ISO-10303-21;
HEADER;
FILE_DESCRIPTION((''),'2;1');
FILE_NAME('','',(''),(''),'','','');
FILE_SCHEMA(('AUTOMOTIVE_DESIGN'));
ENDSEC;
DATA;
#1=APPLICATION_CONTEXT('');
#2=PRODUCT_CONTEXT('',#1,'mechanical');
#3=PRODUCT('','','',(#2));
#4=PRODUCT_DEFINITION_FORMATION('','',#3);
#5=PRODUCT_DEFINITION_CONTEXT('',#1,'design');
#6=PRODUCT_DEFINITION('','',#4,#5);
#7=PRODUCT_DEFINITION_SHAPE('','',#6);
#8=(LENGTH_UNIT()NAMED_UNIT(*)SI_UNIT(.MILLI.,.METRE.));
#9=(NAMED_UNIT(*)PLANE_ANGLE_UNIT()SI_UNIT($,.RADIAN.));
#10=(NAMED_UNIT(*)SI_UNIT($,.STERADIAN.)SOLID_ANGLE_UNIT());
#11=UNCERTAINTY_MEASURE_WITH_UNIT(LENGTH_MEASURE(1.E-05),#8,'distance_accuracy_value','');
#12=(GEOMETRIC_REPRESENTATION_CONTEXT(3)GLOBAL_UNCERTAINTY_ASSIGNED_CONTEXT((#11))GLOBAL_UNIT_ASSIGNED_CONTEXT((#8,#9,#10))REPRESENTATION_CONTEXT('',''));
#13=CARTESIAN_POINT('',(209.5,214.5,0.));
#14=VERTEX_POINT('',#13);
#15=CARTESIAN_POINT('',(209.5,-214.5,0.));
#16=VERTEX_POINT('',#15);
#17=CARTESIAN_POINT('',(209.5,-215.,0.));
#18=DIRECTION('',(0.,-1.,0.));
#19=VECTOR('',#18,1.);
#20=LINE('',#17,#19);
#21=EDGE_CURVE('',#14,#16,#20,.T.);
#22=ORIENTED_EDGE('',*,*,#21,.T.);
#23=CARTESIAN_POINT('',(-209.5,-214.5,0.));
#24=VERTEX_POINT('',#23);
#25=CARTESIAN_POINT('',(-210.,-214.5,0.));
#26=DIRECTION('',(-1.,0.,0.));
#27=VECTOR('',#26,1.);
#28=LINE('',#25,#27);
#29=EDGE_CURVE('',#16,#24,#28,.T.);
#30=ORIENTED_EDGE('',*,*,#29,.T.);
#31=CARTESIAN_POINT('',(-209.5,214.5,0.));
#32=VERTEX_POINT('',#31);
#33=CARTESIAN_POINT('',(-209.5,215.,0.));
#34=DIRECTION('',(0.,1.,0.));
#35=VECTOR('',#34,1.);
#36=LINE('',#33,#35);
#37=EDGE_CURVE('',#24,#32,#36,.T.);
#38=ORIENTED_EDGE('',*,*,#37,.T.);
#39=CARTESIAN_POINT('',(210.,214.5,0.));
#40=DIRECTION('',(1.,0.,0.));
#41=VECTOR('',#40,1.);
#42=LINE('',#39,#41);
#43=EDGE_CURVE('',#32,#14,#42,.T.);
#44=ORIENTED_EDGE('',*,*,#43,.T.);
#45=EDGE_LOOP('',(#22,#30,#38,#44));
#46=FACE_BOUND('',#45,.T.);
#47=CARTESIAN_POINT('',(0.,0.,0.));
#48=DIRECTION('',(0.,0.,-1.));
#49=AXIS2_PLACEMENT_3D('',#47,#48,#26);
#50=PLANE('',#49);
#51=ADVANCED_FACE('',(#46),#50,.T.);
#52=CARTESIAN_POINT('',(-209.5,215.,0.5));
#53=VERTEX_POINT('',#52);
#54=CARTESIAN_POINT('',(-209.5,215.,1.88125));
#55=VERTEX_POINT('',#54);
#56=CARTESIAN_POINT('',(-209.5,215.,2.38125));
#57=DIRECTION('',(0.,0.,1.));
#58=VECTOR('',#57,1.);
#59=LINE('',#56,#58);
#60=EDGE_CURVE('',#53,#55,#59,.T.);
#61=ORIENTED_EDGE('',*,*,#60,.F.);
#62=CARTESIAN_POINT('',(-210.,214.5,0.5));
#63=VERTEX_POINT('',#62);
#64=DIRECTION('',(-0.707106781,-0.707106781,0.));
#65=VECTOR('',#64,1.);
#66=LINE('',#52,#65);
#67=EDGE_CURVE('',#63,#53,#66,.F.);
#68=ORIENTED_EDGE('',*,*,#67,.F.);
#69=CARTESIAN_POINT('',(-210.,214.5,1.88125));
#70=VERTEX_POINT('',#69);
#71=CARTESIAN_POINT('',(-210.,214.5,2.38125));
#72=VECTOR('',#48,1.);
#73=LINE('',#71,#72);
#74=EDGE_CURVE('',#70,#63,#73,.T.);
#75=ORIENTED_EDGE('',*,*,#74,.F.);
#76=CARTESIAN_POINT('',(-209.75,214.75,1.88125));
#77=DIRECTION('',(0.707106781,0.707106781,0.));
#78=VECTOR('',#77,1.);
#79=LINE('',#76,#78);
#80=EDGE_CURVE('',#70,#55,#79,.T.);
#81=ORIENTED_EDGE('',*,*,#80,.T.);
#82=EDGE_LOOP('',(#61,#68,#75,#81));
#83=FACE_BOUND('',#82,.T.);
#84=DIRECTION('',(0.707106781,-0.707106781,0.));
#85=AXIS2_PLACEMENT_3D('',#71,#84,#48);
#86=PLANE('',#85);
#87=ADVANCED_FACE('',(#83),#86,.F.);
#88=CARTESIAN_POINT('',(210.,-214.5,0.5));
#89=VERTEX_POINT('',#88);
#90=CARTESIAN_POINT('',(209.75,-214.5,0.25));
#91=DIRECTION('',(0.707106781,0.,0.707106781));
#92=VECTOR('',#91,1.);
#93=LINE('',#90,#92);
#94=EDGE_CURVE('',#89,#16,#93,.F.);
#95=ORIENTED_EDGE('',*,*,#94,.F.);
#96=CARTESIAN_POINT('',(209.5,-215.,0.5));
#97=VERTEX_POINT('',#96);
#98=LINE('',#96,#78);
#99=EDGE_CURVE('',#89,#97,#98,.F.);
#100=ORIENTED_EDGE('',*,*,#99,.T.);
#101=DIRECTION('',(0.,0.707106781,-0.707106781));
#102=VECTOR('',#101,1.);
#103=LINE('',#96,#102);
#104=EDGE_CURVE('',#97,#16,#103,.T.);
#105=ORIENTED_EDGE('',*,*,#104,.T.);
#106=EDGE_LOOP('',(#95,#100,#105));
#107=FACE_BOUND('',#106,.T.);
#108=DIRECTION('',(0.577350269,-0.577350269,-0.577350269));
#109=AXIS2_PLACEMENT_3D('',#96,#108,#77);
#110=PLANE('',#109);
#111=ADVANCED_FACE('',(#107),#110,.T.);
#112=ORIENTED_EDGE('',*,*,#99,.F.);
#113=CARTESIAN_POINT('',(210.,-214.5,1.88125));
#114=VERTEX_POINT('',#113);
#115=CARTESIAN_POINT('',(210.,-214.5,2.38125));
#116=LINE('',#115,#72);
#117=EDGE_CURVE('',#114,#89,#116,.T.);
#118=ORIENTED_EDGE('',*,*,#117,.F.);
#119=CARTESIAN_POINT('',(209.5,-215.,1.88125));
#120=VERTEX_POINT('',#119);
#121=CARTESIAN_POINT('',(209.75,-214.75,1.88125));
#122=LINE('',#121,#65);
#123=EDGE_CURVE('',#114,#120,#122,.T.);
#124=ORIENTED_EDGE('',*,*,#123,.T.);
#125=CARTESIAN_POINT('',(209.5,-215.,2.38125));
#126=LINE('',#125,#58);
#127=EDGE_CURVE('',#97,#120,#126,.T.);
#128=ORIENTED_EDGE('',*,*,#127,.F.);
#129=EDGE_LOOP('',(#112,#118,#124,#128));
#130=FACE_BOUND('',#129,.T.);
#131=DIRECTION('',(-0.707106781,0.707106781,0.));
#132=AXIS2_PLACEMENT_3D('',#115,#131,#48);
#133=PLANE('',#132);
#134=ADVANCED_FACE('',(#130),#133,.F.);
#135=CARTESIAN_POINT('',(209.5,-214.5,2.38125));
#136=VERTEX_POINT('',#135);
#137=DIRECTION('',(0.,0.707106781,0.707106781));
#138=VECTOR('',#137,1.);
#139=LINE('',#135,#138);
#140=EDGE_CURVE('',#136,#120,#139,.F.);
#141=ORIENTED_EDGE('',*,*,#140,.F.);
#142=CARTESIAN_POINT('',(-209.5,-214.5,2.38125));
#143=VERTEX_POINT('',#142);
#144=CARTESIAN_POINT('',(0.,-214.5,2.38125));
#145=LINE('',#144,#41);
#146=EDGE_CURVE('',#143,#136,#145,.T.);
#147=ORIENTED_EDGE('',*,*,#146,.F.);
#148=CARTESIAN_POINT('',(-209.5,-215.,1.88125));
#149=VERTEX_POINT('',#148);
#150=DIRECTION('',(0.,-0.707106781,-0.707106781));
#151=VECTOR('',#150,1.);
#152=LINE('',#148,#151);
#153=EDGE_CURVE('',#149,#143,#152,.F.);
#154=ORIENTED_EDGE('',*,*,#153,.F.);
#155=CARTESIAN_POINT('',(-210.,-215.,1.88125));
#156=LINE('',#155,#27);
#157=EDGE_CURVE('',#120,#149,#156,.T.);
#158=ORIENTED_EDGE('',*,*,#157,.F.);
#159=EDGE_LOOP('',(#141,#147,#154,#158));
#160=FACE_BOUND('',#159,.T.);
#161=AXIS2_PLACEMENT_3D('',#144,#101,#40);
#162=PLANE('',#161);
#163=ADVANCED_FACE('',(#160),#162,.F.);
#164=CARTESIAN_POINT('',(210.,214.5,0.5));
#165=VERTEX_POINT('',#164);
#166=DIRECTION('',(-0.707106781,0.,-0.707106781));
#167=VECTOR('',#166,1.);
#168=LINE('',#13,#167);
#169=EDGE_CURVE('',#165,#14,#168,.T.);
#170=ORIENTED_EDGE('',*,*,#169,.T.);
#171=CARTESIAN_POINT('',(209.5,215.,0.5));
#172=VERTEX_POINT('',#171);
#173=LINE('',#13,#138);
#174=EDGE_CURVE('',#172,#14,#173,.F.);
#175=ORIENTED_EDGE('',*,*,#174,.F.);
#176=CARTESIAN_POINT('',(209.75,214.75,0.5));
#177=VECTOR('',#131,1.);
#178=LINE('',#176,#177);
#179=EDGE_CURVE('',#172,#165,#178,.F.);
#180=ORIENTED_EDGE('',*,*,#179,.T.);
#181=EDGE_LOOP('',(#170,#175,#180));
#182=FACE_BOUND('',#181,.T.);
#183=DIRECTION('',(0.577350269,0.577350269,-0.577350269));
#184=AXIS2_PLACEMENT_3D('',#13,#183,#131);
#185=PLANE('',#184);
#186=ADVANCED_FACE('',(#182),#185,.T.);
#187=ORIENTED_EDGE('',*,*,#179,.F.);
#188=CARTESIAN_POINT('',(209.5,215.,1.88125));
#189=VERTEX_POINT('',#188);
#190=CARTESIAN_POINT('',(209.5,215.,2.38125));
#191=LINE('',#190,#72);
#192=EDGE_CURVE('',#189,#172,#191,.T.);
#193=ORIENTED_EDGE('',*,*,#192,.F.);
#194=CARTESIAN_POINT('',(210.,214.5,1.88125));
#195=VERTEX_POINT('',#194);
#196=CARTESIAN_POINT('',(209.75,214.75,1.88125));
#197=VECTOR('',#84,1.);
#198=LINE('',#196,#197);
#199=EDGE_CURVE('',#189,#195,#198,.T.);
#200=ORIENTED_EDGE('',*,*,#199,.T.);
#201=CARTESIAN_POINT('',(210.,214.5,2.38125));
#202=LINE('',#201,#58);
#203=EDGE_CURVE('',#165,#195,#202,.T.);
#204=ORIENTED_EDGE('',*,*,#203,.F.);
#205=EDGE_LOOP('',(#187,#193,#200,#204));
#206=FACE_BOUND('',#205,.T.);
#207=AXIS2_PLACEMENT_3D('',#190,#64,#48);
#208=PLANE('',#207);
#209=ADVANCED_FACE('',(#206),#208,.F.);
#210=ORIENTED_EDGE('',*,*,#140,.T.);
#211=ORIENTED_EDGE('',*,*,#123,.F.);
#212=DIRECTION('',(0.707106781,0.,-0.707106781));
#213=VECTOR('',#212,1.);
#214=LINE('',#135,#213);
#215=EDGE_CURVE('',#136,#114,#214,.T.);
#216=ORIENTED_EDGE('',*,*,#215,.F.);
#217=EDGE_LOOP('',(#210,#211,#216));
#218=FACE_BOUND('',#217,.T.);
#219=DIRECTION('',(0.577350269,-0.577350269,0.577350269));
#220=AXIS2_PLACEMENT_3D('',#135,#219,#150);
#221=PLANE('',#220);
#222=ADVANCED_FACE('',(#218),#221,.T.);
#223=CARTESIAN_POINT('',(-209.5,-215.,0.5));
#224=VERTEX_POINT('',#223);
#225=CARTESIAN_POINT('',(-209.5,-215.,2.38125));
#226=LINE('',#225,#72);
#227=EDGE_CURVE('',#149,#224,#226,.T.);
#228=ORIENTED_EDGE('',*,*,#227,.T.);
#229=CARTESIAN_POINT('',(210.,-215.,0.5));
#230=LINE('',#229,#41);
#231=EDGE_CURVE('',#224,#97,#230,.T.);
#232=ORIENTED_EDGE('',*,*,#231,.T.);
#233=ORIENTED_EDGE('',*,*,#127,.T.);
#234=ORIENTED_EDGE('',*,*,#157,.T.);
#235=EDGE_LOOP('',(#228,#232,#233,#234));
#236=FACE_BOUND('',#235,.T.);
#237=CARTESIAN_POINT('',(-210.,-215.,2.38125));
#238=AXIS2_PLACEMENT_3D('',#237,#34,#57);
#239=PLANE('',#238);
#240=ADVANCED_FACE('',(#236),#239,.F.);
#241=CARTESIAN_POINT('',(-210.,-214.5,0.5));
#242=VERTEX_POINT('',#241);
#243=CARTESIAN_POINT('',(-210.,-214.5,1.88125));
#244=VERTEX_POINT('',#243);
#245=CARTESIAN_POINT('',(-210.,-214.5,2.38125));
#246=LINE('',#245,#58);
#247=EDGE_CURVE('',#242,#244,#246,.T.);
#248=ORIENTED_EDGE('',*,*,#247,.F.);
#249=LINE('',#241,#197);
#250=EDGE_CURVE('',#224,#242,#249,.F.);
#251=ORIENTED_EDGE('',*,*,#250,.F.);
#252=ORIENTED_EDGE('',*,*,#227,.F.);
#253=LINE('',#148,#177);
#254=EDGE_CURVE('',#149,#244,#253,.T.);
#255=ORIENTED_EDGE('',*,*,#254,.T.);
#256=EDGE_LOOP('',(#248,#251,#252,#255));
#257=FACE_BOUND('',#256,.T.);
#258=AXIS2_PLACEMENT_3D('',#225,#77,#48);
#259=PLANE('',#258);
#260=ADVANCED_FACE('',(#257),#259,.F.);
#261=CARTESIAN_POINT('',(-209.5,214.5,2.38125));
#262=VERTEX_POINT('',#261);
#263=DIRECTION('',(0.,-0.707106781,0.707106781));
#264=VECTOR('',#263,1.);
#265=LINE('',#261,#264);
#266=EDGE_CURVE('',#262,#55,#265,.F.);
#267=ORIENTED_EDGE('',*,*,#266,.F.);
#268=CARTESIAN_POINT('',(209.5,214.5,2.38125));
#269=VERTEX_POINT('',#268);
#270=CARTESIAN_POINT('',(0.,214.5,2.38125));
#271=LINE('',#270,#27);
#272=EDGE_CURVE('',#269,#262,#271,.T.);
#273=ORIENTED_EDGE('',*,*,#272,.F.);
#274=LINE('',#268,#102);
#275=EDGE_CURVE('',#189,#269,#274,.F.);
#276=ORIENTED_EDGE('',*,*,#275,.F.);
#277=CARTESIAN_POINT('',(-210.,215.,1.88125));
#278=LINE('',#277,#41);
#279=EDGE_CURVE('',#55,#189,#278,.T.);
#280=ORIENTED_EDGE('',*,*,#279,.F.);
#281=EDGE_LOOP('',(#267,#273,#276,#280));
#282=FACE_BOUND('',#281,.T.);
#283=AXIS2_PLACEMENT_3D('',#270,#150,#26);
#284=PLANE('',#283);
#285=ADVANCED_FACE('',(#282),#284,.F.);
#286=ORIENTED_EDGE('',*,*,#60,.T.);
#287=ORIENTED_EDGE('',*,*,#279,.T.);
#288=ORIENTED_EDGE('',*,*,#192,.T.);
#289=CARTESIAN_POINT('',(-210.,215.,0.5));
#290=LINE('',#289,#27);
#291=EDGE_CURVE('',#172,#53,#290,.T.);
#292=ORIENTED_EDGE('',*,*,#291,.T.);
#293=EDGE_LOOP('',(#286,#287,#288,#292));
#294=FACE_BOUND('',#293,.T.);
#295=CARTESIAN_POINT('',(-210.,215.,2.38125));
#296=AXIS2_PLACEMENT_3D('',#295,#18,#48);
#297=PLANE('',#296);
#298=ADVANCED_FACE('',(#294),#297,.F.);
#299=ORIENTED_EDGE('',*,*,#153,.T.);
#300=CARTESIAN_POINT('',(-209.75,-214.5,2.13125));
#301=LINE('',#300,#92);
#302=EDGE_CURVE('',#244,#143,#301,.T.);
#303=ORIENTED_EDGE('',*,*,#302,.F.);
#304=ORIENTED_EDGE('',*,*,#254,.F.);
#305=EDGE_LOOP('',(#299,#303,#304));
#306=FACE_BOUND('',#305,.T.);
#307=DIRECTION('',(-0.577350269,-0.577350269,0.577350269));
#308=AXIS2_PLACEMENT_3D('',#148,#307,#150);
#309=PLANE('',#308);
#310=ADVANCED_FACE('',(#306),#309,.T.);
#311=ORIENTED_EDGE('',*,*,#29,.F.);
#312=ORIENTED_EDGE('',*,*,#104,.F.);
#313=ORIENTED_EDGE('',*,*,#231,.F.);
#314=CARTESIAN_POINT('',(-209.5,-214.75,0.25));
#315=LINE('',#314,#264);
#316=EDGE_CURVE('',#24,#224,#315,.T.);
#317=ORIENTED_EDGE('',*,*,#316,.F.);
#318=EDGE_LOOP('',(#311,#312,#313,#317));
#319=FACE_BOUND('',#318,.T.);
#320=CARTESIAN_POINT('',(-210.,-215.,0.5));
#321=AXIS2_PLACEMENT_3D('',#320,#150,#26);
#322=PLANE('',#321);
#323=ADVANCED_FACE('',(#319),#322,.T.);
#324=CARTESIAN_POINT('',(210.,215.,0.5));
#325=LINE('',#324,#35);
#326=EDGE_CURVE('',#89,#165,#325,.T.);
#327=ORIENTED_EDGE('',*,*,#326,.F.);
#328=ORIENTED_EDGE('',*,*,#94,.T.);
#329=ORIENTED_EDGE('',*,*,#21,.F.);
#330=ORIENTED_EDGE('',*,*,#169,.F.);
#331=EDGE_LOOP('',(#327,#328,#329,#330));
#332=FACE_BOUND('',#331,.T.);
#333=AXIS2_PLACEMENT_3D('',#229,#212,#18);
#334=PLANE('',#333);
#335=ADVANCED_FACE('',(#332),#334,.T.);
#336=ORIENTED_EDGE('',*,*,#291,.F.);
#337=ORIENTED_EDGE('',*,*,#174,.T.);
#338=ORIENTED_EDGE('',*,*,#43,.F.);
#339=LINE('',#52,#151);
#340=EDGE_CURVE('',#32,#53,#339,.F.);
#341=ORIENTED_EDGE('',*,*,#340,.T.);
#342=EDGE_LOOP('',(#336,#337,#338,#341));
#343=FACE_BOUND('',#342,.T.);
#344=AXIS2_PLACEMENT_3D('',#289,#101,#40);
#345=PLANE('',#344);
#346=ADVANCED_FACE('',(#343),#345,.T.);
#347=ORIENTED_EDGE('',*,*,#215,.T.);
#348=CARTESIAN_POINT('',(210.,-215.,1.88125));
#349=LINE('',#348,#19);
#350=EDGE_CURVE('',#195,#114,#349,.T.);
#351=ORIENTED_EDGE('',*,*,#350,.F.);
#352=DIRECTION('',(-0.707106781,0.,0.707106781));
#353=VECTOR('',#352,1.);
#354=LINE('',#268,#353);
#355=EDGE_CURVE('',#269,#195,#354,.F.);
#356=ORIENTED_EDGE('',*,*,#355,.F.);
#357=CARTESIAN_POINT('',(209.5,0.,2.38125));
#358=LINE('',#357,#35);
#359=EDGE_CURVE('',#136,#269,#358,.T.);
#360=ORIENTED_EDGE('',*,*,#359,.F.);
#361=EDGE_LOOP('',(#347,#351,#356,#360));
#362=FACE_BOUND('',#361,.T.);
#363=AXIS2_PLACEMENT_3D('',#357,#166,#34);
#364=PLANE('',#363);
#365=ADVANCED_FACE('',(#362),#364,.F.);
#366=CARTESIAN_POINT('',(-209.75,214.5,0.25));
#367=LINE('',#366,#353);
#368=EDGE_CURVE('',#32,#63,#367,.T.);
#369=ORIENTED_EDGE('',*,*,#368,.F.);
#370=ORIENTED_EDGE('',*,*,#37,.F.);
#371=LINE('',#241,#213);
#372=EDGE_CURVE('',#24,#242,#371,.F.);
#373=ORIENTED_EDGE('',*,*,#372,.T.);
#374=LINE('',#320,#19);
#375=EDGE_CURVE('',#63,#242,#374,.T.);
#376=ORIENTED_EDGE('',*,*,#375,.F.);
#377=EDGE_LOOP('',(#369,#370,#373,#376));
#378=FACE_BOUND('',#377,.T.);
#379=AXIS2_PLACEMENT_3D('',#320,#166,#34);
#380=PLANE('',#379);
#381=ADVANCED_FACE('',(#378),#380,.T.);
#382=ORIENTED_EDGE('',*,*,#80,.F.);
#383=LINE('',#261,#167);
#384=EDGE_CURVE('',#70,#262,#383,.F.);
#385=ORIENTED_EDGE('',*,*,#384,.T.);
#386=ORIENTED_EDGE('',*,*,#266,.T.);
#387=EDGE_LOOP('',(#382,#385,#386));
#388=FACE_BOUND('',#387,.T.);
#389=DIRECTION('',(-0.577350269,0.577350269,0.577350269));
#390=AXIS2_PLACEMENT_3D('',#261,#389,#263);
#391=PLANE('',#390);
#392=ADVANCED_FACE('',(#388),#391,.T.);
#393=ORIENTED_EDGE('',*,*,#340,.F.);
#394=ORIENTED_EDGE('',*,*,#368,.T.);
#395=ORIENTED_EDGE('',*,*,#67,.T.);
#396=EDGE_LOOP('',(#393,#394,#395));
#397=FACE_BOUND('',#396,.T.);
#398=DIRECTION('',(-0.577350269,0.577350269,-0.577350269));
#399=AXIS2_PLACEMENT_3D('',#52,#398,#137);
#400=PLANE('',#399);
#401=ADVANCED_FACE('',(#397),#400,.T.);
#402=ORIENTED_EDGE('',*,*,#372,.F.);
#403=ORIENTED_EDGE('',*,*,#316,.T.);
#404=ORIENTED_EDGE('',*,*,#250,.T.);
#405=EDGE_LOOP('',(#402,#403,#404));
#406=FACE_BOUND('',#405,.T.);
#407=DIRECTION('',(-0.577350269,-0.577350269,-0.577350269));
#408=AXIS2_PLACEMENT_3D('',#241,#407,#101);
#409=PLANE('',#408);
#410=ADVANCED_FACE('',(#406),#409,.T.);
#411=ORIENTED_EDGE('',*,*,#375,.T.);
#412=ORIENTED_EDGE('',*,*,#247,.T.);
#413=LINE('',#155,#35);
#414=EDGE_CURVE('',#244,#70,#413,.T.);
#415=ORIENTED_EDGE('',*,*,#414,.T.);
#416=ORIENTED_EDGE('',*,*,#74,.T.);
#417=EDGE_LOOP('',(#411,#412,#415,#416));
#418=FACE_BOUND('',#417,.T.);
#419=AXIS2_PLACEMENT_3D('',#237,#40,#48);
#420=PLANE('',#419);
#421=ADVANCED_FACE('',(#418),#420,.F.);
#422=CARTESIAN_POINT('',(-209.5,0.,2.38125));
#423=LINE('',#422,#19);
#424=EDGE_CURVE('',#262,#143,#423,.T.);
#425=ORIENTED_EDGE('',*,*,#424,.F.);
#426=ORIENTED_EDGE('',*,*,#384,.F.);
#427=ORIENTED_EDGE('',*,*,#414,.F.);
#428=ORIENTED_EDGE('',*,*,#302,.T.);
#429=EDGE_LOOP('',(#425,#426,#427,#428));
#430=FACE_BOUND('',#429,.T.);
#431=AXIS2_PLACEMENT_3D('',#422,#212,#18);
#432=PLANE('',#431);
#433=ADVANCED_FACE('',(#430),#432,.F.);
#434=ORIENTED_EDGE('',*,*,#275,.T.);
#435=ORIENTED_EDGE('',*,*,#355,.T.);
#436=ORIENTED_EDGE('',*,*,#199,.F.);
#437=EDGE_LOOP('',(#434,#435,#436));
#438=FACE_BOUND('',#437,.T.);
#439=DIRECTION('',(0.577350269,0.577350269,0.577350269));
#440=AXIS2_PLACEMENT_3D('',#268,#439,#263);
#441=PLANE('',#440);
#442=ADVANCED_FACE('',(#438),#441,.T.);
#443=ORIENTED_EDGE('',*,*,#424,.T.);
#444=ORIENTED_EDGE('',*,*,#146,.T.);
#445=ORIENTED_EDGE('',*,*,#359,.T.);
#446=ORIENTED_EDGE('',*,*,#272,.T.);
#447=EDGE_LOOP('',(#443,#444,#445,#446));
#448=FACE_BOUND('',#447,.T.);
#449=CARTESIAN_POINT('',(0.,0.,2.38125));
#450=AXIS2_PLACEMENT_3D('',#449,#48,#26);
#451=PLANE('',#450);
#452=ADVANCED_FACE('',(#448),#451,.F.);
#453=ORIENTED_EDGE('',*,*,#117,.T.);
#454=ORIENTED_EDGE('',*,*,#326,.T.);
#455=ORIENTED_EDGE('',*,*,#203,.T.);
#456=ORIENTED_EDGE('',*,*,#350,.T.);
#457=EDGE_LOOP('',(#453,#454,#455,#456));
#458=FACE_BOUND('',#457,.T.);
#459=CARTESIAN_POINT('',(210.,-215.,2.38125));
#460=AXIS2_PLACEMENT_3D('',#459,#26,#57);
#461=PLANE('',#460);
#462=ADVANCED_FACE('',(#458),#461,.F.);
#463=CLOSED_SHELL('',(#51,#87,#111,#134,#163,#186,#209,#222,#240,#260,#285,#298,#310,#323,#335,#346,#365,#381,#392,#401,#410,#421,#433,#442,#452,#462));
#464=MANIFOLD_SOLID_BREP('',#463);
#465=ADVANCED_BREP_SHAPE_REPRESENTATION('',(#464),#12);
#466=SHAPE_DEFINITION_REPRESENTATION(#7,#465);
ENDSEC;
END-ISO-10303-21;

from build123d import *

# Parameters (mm, degrees)
SKETCH1_W           = 420
SKETCH1_H           = 430
BOSS_EXTRUDE1_DEPTH = 2.38125
CHAMFER1_SIZE       = 0.5


with BuildPart() as part:
    # Sketch1 → Boss-Extrude1 (new body)
    with BuildSketch(Plane.XY):
        Rectangle(SKETCH1_W, SKETCH1_H)
    extrude(amount=BOSS_EXTRUDE1_DEPTH)

    # Chamfer1
    chamfer1_edges = [part.edges().sort_by_distance(p)[0] for p in [
        (-210, 0, 2.38125),
        (0, -215, 2.38125),
        (210, 0, 2.38125),
        (0, -215, 0),
        (-210, 0, 0),
        (0, 215, 0),
        (210, 0, 0),
        (0, 215, 2.38125),
        (210, -215, 1.190625),
        (-210, -215, 1.190625),
        (-210, 215, 1.190625),
        (210, 215, 1.190625),
    ]]
    chamfer(chamfer1_edges, length=CHAMFER1_SIZE)


solid = part.part
